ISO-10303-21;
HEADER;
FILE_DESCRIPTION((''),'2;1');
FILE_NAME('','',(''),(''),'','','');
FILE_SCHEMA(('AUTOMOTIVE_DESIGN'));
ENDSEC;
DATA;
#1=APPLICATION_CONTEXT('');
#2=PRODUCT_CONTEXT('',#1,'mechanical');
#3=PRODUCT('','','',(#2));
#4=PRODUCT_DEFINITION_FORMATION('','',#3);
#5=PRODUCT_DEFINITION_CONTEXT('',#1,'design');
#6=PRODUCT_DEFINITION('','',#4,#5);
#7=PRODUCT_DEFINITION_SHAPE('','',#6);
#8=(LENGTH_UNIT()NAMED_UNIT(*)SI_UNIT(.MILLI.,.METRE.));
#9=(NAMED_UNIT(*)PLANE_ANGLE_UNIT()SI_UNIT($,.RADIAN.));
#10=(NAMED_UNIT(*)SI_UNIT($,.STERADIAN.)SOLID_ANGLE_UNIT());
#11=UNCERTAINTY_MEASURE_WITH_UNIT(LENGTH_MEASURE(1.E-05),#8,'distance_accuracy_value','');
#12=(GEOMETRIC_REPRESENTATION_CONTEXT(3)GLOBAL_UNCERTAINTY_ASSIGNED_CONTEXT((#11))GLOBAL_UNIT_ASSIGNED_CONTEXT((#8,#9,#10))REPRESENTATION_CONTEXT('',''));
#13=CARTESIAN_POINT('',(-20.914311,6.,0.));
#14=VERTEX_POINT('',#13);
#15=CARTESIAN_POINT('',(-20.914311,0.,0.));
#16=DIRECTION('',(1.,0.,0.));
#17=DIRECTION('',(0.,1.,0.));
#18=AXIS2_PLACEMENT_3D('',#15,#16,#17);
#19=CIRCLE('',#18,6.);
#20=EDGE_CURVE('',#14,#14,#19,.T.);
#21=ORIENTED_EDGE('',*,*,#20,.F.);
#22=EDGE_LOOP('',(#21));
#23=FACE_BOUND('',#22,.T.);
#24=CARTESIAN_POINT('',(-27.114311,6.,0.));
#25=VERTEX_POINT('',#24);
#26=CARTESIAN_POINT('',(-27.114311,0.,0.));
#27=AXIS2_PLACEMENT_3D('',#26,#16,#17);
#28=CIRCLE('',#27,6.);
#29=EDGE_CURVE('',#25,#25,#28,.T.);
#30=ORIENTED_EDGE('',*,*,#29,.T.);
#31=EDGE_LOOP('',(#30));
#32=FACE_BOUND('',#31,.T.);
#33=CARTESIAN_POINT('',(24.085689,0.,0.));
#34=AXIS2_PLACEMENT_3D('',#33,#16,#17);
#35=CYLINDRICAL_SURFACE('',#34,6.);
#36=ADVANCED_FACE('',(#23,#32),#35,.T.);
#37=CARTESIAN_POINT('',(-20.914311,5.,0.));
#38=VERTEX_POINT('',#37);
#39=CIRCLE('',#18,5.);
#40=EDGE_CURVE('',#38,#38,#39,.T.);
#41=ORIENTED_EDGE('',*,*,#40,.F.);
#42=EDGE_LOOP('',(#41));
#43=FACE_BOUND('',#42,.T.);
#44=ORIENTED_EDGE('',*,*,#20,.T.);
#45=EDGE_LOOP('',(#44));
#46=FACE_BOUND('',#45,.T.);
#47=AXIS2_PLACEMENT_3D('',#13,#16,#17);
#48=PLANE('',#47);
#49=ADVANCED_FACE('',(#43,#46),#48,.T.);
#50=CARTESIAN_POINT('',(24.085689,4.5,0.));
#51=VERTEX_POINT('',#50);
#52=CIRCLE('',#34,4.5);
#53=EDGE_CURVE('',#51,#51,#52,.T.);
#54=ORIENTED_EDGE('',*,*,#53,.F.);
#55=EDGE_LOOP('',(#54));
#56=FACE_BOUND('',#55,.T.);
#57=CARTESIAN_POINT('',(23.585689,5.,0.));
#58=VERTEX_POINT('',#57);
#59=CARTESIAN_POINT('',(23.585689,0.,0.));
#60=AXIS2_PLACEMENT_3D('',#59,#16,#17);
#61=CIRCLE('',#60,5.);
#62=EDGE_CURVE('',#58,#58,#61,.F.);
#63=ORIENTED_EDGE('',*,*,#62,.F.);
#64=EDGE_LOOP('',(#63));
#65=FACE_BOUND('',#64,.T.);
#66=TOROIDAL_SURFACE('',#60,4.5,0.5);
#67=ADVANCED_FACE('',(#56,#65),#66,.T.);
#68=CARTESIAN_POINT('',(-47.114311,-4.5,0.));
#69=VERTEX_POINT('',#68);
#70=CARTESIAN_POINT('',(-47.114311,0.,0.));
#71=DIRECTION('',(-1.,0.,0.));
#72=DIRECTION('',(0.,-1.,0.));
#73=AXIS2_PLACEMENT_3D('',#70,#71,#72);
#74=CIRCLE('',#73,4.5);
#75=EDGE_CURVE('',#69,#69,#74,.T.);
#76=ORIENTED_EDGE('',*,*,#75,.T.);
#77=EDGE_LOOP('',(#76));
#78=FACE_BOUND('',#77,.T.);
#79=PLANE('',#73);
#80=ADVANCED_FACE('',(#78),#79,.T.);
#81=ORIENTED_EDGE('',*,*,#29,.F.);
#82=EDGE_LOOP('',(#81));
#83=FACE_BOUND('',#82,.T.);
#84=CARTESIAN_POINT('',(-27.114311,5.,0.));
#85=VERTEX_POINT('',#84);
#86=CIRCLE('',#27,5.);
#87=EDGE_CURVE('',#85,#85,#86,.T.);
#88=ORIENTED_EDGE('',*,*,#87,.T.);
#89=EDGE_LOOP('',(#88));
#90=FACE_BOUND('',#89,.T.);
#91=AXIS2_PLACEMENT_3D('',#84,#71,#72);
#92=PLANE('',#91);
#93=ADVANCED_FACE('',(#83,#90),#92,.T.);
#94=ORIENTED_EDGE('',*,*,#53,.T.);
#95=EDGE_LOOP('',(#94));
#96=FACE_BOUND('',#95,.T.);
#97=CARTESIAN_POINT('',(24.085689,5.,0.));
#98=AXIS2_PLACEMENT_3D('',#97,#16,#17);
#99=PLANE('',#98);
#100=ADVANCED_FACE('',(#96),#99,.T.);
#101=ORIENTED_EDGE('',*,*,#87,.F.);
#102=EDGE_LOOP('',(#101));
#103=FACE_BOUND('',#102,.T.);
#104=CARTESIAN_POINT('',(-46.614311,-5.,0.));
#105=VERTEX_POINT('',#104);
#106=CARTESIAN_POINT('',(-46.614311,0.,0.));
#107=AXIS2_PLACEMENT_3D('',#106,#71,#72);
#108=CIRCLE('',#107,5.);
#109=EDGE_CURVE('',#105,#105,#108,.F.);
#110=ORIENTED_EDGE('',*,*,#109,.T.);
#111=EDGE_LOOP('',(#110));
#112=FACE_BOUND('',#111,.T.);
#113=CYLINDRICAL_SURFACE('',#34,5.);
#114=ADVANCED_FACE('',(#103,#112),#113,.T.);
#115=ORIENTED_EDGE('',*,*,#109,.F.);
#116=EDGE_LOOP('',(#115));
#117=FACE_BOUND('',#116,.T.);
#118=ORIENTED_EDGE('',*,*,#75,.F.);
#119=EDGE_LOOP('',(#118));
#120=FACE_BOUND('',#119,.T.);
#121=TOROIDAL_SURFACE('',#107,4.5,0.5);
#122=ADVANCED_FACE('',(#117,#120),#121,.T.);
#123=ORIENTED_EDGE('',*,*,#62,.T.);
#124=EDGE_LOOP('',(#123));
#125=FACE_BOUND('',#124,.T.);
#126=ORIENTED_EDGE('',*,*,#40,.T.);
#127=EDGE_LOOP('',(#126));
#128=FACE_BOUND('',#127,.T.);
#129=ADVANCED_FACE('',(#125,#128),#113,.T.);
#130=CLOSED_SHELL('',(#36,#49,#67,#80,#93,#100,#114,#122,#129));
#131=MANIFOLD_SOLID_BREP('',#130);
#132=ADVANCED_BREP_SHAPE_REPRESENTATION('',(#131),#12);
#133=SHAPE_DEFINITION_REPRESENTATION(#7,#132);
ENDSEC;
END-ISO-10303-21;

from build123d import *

# Parameters (mm, degrees)
VERRUNDUNG1_R = 0.5


with BuildPart() as part:
    # Skizze1 → Rotation1 (revolve)
    with BuildSketch(Plane.XY):
        Polygon((-47.114311418, 0), (-47.114311418, 5), (-27.114311418, 5), (-27.114311418, 6), (-20.914311418, 6), (-20.914311418, 5), (24.085688582, 5), (24.085688582, 0), align=None)
    revolve(axis=Axis((24.085688582, 0, 0), (-1, 0, 0)))

    # Verrundung1
    verrundung1_edges = [part.edges().sort_by_distance(p)[0] for p in [
        (24.085688582, -5, 0),
        (-47.114311418, -5, 0),
    ]]
    fillet(verrundung1_edges, radius=VERRUNDUNG1_R)


solid = part.part
